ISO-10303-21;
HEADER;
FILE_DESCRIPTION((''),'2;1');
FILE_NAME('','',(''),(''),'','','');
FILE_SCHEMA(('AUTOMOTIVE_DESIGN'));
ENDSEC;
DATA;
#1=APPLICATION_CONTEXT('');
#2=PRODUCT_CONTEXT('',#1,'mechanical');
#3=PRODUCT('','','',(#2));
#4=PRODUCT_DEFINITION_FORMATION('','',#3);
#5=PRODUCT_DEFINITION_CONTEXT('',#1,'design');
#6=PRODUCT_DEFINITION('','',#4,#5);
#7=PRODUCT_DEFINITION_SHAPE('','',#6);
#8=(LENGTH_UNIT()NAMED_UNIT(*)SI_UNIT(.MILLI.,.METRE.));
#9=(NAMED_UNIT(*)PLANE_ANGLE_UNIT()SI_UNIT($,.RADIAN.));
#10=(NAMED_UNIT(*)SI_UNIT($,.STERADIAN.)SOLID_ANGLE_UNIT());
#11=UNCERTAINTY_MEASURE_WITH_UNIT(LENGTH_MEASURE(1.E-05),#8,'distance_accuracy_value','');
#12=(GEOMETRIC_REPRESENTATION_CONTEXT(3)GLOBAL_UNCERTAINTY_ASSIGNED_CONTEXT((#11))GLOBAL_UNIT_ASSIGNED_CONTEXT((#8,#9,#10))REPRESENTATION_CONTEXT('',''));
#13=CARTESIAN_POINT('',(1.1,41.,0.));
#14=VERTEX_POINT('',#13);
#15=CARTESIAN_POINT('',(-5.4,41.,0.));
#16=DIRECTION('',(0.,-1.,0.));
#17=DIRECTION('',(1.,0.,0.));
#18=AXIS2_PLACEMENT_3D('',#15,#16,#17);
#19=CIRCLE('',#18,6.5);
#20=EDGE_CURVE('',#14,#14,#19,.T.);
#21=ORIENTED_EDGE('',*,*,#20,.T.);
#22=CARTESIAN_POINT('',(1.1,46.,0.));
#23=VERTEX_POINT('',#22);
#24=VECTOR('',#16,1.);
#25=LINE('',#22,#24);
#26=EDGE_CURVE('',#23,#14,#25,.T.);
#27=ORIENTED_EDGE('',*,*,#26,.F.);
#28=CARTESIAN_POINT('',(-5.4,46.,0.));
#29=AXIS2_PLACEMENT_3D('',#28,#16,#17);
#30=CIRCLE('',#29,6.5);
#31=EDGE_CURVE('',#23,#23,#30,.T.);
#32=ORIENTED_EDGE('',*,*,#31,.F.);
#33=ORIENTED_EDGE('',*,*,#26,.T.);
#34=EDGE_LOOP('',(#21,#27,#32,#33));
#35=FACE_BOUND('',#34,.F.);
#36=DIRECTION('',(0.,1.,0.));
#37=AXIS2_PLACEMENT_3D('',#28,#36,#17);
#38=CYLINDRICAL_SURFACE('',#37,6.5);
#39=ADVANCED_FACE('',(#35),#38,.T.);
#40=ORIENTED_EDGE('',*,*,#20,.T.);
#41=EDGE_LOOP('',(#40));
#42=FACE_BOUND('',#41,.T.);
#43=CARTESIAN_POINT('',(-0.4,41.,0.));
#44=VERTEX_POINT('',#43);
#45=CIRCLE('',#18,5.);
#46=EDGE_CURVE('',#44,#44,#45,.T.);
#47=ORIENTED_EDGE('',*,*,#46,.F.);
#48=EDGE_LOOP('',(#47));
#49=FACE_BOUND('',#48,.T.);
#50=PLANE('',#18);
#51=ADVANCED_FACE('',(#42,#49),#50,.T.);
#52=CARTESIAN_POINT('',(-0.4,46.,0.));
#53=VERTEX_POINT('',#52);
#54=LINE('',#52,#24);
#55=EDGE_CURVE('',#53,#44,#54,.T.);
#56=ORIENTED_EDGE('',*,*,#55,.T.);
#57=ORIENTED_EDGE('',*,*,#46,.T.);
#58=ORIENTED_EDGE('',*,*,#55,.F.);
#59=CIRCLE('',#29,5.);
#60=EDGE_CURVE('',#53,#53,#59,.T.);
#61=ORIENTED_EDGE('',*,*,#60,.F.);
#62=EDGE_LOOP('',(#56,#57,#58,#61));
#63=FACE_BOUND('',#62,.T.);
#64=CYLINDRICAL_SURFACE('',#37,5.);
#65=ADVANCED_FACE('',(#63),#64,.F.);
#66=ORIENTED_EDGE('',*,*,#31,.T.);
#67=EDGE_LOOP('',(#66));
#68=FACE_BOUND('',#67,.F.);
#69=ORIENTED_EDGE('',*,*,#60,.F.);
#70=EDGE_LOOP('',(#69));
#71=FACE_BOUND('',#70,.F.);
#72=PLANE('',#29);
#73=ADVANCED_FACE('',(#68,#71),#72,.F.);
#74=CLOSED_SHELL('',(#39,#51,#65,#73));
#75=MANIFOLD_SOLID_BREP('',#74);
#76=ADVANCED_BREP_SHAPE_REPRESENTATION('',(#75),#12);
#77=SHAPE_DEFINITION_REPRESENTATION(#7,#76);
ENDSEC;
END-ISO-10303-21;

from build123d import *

# Parameters (mm, degrees)
CYLINDER005_R          = 5
CYLINDER005_DEPTH      = 5
CYLINDER005_ROLL_ANGLE = 90
CYLINDER006_R          = 6.5
CYLINDER006_DEPTH      = 5
CYLINDER006_ROLL_ANGLE = 90


with BuildPart() as cylinder005:
    # Cylinder005 → Cylinder005 (new body)
    with BuildSketch(Plane.XY):
        Circle(CYLINDER005_R)
    extrude(amount=CYLINDER005_DEPTH)


with BuildPart() as cylinder005_1:
    # Cylinder005 roll: moved
    add(cylinder005.part.rotate(Axis((0, 0, 0), (1, 0, 0)), CYLINDER005_ROLL_ANGLE))


with BuildPart() as cylinder005_2:
    # Cylinder005 placement: moved
    add(cylinder005_1.part.moved(Location((-5.4, 46, 0))))


with BuildPart() as cut001:
    # Cylinder006 → Cylinder006 (new body)
    with BuildSketch(Plane.XY):
        Circle(CYLINDER006_R)
    extrude(amount=CYLINDER006_DEPTH)


with BuildPart() as cut001_1:
    # Cylinder006 roll: moved
    add(cut001.part.rotate(Axis((0, 0, 0), (1, 0, 0)), CYLINDER006_ROLL_ANGLE))


with BuildPart() as cut001_2:
    # Cylinder006 placement: moved
    add(cut001_1.part.moved(Location((-5.4, 46, 0))))

    # Cut001: cut Cylinder005
    add(cylinder005_2.part, mode=Mode.SUBTRACT)


solid = cut001_2.part
